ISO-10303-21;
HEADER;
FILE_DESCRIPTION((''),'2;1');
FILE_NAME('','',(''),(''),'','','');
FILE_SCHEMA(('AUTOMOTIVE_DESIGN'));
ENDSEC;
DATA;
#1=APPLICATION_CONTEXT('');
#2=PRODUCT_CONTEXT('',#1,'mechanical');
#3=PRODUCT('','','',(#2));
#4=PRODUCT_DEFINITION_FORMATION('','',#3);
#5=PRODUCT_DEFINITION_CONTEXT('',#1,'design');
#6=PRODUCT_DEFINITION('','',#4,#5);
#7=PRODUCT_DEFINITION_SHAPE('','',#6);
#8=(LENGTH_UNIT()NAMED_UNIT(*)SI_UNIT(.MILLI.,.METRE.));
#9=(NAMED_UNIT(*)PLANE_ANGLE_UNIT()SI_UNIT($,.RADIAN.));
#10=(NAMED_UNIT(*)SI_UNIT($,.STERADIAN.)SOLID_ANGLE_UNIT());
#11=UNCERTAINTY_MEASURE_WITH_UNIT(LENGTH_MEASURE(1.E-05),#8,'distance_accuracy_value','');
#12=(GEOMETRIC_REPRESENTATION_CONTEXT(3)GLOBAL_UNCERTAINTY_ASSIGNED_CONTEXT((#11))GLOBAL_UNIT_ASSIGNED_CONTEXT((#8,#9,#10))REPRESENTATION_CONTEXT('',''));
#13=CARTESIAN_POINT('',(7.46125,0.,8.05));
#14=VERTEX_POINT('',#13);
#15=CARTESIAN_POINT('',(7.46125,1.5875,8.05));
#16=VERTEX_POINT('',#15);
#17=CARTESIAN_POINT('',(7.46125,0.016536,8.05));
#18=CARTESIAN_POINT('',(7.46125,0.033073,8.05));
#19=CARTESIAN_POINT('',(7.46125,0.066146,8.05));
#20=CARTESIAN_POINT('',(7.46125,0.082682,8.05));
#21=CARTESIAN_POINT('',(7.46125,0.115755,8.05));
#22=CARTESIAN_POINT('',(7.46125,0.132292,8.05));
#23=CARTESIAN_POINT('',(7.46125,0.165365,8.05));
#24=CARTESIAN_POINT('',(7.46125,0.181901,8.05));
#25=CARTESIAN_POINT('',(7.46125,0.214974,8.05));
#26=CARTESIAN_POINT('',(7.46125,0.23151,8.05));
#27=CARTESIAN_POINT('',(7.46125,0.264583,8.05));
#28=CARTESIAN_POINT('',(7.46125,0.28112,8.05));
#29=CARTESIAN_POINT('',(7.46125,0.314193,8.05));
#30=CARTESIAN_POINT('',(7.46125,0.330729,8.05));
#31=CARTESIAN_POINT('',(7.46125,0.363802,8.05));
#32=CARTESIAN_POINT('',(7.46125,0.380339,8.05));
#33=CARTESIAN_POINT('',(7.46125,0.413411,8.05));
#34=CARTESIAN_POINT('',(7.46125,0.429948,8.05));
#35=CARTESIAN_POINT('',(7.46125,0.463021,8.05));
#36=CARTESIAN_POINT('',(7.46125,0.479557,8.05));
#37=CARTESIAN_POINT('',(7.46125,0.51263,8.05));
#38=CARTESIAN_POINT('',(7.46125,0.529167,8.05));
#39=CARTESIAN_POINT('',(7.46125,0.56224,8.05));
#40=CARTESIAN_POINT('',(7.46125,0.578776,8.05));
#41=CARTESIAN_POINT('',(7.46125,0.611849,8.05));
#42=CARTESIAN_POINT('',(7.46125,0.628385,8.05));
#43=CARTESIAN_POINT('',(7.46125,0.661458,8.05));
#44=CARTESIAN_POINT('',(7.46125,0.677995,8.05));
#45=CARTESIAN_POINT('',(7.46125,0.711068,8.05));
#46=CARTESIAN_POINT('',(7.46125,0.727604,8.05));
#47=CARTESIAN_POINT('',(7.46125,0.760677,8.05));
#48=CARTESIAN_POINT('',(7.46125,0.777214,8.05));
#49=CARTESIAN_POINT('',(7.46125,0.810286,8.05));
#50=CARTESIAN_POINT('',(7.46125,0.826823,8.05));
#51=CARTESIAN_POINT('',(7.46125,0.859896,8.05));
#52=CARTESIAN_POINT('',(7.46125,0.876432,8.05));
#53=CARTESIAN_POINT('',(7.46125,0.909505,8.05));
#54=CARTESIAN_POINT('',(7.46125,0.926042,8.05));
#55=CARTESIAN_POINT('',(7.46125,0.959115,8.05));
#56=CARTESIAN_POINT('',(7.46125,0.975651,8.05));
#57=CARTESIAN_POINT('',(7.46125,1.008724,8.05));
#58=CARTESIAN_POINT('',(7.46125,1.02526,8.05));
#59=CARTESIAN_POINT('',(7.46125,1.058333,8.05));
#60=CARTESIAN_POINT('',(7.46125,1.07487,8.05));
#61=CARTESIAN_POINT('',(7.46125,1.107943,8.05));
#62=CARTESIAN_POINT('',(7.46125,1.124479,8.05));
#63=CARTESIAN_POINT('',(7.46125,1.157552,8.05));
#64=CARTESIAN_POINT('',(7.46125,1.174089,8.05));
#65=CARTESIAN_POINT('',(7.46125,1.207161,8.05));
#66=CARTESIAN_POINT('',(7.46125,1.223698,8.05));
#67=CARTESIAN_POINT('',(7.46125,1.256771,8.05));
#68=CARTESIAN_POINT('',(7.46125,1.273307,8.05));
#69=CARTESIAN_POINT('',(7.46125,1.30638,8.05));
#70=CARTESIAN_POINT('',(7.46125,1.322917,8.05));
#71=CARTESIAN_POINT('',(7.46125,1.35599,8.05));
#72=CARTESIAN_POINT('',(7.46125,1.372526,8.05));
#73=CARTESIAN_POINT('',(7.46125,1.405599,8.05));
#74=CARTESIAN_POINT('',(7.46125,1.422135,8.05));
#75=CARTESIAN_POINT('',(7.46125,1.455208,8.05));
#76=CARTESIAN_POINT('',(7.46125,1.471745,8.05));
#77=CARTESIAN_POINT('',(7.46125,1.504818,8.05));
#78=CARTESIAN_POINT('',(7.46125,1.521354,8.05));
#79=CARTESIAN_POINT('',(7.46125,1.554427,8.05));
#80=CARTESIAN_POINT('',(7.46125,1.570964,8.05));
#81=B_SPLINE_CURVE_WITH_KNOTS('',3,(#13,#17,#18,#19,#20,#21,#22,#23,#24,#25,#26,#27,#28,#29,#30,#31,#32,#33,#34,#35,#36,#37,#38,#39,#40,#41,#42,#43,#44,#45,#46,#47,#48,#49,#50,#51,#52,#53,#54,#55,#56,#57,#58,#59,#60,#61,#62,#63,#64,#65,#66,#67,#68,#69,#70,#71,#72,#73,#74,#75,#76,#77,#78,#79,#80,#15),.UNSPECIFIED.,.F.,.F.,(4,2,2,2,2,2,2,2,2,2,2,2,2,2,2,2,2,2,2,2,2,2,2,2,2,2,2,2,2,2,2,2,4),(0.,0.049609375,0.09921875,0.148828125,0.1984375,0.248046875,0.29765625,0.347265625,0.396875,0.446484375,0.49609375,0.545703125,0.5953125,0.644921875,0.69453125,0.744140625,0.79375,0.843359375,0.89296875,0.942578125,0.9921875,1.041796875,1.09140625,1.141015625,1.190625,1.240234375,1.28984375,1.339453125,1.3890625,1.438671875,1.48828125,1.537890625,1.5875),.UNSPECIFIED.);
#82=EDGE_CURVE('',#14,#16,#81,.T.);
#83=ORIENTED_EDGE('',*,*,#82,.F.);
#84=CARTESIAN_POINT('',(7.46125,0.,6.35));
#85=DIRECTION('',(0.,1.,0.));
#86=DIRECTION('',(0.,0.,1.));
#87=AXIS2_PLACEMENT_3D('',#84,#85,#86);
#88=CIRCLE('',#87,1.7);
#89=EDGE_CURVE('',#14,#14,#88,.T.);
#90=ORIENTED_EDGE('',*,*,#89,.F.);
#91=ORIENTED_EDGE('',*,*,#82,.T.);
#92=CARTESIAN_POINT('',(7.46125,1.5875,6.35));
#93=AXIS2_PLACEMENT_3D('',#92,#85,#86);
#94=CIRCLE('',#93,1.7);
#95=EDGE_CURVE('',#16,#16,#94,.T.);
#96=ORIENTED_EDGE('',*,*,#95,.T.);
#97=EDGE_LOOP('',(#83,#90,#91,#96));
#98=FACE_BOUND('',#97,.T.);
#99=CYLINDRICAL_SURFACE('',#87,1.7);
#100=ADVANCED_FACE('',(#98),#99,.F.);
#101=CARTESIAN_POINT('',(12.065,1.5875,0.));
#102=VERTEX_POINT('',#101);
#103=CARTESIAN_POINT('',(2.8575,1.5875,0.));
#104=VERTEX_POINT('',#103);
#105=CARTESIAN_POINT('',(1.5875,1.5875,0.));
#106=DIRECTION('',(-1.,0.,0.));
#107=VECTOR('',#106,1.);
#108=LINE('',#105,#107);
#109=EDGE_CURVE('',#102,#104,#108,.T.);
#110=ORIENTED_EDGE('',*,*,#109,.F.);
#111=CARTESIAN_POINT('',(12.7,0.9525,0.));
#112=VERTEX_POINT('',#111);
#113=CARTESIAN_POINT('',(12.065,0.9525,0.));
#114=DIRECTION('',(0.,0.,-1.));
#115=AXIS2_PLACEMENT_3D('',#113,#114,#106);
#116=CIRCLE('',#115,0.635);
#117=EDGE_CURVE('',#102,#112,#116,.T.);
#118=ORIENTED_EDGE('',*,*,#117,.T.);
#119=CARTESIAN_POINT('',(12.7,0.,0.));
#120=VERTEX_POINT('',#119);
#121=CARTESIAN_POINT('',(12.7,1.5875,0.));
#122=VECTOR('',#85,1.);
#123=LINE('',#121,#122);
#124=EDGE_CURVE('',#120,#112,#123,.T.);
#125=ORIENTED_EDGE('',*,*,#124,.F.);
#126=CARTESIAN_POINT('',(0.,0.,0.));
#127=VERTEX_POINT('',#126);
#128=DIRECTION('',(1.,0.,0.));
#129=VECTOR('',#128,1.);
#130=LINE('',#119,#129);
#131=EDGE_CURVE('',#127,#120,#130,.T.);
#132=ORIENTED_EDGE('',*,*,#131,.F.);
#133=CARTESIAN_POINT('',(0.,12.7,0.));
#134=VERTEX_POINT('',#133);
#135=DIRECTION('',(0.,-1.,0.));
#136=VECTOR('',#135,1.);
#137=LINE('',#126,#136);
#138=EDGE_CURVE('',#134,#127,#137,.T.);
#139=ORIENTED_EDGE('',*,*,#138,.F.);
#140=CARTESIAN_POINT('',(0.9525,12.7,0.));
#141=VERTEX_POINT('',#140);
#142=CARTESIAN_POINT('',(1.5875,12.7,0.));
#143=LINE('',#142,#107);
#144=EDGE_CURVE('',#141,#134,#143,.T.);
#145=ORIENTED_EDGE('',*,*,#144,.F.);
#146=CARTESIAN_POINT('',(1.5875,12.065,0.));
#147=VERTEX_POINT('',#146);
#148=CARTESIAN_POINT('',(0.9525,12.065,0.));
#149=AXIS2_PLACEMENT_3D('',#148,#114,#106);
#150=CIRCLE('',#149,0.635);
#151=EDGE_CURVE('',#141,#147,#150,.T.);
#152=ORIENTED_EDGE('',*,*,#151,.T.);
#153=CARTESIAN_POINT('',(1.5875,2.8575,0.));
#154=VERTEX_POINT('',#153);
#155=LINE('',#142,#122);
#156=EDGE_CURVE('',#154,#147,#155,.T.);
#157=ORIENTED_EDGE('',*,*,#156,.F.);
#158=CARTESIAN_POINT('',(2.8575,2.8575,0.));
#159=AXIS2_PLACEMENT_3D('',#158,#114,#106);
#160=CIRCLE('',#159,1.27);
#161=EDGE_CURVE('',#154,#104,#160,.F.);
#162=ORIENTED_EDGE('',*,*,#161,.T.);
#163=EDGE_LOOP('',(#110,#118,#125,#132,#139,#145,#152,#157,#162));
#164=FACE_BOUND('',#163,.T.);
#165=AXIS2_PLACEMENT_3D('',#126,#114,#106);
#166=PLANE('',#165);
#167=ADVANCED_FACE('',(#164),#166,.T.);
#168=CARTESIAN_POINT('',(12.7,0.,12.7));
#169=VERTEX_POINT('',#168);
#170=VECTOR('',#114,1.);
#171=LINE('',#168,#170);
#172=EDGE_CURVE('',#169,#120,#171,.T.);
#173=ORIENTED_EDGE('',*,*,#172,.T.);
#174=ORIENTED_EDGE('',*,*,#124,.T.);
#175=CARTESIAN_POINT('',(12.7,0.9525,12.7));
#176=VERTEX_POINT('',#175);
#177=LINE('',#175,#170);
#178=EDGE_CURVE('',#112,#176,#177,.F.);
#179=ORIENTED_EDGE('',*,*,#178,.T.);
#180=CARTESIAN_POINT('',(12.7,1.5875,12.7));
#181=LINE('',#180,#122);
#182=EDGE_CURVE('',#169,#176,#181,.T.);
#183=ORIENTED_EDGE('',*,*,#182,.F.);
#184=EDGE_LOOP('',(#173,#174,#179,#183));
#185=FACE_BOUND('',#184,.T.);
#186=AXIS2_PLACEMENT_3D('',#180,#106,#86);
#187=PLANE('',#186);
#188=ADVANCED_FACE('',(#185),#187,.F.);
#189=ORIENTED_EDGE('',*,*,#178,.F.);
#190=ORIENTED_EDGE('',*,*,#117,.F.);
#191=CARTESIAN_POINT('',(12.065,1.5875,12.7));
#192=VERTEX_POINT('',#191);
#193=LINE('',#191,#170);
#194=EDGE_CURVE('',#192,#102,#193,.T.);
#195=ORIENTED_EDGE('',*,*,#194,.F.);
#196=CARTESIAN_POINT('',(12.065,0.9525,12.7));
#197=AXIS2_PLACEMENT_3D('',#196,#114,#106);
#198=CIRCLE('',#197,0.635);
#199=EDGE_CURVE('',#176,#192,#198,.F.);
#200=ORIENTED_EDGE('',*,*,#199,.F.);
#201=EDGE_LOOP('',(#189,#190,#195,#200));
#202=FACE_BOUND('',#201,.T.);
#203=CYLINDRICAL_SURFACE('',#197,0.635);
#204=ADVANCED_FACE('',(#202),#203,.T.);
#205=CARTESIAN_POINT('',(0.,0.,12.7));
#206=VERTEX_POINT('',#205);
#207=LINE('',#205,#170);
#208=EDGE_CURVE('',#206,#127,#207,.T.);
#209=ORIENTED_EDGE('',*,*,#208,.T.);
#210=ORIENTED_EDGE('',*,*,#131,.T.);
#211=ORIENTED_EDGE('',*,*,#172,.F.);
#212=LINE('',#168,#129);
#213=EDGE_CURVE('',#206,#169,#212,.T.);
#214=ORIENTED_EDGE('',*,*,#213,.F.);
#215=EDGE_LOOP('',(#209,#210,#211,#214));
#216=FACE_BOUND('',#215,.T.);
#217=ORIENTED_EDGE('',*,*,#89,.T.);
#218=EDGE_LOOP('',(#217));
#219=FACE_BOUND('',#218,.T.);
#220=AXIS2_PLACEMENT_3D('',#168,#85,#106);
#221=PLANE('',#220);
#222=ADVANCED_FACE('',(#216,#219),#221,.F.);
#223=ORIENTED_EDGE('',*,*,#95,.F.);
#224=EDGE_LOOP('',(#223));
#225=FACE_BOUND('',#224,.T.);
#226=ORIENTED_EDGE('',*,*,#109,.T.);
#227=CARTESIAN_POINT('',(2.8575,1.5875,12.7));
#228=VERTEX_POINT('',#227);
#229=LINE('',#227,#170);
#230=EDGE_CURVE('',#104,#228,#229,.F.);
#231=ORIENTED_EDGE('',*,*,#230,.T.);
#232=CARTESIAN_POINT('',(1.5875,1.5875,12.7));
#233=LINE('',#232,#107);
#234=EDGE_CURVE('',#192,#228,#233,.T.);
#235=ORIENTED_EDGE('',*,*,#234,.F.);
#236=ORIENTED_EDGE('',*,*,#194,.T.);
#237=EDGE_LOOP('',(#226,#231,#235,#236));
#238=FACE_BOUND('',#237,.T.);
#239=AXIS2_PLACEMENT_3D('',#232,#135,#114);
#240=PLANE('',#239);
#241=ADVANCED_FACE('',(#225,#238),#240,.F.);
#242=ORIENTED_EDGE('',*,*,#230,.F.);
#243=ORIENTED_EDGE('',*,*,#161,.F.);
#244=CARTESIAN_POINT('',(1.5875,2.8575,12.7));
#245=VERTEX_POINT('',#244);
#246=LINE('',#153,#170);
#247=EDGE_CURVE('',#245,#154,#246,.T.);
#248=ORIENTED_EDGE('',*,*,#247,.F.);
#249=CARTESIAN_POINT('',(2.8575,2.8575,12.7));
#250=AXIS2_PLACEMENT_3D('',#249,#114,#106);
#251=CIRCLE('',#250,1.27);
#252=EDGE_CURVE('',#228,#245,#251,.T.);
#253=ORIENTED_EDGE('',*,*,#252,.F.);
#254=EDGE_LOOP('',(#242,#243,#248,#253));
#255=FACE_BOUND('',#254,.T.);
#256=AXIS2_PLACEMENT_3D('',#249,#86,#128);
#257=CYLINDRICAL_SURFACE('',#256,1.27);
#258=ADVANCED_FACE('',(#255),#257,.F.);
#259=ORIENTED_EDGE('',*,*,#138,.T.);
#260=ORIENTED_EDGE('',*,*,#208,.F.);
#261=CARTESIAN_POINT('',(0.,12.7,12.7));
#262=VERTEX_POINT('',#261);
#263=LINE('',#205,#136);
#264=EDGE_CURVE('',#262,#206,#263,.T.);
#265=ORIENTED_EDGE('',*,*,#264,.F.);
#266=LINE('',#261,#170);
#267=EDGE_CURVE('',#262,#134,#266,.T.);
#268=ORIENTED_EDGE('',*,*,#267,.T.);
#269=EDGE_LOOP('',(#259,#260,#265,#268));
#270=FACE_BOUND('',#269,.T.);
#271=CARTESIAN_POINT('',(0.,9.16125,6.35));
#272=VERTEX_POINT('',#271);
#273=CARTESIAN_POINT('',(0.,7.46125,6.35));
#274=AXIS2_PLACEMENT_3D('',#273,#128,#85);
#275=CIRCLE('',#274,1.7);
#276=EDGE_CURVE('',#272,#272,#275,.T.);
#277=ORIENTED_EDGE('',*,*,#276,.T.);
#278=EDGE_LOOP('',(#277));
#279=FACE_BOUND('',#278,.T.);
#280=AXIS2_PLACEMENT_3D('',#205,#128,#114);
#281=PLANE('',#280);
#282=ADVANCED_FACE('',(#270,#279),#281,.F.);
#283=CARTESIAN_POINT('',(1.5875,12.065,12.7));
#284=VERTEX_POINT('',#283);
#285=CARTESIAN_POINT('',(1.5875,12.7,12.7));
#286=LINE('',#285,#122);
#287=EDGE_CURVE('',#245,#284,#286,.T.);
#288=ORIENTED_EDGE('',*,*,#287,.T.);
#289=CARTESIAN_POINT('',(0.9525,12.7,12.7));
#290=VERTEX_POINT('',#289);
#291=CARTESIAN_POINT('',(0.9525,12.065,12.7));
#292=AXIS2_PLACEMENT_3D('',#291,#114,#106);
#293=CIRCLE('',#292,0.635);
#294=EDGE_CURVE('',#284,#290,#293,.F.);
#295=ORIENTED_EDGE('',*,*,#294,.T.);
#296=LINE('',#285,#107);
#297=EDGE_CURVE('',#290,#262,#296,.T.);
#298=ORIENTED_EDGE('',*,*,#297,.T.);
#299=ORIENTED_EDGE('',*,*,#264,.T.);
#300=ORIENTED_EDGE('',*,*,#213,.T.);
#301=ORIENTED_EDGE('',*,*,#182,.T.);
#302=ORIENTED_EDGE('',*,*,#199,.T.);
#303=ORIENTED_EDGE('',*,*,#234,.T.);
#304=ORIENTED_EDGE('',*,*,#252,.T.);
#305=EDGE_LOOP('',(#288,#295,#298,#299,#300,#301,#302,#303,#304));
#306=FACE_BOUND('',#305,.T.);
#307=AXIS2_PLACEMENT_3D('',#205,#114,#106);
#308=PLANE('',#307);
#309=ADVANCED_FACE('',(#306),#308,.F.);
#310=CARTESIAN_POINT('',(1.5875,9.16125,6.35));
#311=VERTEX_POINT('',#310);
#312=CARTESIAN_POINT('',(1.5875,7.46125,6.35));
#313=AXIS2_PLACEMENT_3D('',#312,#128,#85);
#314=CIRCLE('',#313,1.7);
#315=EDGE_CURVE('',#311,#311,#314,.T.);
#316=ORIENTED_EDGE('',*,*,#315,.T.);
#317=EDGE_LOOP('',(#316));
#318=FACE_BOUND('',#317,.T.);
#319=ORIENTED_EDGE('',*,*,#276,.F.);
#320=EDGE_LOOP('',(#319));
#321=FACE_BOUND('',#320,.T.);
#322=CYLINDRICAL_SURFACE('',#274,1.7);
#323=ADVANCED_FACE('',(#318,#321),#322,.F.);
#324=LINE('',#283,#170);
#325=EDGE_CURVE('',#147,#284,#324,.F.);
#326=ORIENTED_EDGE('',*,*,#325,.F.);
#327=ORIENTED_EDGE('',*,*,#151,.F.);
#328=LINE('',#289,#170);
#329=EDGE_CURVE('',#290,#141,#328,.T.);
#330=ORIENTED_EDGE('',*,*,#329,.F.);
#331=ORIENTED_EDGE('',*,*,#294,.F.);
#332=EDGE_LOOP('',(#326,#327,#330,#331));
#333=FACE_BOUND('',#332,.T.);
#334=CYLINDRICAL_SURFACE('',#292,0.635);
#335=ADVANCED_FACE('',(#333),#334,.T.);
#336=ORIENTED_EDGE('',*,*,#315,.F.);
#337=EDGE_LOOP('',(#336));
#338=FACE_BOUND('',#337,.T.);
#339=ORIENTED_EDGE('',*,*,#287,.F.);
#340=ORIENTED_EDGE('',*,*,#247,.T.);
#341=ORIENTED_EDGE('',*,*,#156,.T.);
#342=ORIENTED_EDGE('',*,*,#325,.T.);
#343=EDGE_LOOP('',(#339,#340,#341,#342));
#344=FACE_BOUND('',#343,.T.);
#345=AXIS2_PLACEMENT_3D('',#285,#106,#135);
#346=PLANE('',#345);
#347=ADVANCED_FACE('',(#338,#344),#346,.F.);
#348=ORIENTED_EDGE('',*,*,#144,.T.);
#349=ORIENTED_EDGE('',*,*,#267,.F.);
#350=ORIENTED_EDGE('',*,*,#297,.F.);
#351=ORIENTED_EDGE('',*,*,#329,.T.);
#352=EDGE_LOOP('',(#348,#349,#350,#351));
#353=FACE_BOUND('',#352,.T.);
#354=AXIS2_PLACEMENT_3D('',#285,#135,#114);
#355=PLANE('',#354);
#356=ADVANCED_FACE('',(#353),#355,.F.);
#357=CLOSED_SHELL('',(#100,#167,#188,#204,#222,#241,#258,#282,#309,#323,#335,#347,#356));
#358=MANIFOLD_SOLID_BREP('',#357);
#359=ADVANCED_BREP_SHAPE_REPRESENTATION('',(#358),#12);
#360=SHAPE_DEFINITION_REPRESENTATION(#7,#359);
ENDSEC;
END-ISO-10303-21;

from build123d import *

# Parameters (mm, degrees)
BOSS_EXTRUDE1_DEPTH = 12.7
FILLET1_R           = 1.27
FILLET2_R           = 0.635
SKETCH2_R           = 1.7
CUT_EXTRUDE1_DEPTH  = 22.120313829
SKETCH3_R           = 1.7
CUT_EXTRUDE2_DEPTH  = 22.120313829


with BuildPart() as part:
    # Sketch1 → Boss-Extrude1 (new body)
    with BuildSketch(Plane.XY):
        Polygon((0, 0), (0, 12.7), (1.5875, 12.7), (1.5875, 1.5875), (12.7, 1.5875), (12.7, 0), align=None)
    extrude(amount=BOSS_EXTRUDE1_DEPTH)

    # Fillet1
    fillet1_edges = [part.edges().sort_by_distance(p)[0] for p in [
        (1.5875, 1.5875, 6.35),
    ]]
    fillet(fillet1_edges, radius=FILLET1_R)

    # Fillet2
    fillet2_edges = [part.edges().sort_by_distance(p)[0] for p in [
        (1.5875, 12.7, 6.35),
        (12.7, 1.5875, 6.35),
    ]]
    fillet(fillet2_edges, radius=FILLET2_R)

    # Sketch2 → Cut-Extrude1 (cut, through all)
    with BuildSketch(Plane(origin=(1.5875, 0, 0), x_dir=(0, 0, -1), z_dir=(1, 0, 0))):
        with Locations(Location((-6.35, 7.46125, 0), (0, 0, 90))):
            Circle(SKETCH2_R)
    extrude(amount=-CUT_EXTRUDE1_DEPTH, mode=Mode.SUBTRACT)

    # Sketch3 → Cut-Extrude2 (cut, through all)
    with BuildSketch(Plane(origin=(0, 1.5875, 0), x_dir=(1, 0, 0), z_dir=(0, 1, 0))):
        with Locations(Location((7.46125, -6.35, 0), (0, 0, 270))):
            Circle(SKETCH3_R)
    extrude(amount=-CUT_EXTRUDE2_DEPTH, mode=Mode.SUBTRACT)


solid = part.part
